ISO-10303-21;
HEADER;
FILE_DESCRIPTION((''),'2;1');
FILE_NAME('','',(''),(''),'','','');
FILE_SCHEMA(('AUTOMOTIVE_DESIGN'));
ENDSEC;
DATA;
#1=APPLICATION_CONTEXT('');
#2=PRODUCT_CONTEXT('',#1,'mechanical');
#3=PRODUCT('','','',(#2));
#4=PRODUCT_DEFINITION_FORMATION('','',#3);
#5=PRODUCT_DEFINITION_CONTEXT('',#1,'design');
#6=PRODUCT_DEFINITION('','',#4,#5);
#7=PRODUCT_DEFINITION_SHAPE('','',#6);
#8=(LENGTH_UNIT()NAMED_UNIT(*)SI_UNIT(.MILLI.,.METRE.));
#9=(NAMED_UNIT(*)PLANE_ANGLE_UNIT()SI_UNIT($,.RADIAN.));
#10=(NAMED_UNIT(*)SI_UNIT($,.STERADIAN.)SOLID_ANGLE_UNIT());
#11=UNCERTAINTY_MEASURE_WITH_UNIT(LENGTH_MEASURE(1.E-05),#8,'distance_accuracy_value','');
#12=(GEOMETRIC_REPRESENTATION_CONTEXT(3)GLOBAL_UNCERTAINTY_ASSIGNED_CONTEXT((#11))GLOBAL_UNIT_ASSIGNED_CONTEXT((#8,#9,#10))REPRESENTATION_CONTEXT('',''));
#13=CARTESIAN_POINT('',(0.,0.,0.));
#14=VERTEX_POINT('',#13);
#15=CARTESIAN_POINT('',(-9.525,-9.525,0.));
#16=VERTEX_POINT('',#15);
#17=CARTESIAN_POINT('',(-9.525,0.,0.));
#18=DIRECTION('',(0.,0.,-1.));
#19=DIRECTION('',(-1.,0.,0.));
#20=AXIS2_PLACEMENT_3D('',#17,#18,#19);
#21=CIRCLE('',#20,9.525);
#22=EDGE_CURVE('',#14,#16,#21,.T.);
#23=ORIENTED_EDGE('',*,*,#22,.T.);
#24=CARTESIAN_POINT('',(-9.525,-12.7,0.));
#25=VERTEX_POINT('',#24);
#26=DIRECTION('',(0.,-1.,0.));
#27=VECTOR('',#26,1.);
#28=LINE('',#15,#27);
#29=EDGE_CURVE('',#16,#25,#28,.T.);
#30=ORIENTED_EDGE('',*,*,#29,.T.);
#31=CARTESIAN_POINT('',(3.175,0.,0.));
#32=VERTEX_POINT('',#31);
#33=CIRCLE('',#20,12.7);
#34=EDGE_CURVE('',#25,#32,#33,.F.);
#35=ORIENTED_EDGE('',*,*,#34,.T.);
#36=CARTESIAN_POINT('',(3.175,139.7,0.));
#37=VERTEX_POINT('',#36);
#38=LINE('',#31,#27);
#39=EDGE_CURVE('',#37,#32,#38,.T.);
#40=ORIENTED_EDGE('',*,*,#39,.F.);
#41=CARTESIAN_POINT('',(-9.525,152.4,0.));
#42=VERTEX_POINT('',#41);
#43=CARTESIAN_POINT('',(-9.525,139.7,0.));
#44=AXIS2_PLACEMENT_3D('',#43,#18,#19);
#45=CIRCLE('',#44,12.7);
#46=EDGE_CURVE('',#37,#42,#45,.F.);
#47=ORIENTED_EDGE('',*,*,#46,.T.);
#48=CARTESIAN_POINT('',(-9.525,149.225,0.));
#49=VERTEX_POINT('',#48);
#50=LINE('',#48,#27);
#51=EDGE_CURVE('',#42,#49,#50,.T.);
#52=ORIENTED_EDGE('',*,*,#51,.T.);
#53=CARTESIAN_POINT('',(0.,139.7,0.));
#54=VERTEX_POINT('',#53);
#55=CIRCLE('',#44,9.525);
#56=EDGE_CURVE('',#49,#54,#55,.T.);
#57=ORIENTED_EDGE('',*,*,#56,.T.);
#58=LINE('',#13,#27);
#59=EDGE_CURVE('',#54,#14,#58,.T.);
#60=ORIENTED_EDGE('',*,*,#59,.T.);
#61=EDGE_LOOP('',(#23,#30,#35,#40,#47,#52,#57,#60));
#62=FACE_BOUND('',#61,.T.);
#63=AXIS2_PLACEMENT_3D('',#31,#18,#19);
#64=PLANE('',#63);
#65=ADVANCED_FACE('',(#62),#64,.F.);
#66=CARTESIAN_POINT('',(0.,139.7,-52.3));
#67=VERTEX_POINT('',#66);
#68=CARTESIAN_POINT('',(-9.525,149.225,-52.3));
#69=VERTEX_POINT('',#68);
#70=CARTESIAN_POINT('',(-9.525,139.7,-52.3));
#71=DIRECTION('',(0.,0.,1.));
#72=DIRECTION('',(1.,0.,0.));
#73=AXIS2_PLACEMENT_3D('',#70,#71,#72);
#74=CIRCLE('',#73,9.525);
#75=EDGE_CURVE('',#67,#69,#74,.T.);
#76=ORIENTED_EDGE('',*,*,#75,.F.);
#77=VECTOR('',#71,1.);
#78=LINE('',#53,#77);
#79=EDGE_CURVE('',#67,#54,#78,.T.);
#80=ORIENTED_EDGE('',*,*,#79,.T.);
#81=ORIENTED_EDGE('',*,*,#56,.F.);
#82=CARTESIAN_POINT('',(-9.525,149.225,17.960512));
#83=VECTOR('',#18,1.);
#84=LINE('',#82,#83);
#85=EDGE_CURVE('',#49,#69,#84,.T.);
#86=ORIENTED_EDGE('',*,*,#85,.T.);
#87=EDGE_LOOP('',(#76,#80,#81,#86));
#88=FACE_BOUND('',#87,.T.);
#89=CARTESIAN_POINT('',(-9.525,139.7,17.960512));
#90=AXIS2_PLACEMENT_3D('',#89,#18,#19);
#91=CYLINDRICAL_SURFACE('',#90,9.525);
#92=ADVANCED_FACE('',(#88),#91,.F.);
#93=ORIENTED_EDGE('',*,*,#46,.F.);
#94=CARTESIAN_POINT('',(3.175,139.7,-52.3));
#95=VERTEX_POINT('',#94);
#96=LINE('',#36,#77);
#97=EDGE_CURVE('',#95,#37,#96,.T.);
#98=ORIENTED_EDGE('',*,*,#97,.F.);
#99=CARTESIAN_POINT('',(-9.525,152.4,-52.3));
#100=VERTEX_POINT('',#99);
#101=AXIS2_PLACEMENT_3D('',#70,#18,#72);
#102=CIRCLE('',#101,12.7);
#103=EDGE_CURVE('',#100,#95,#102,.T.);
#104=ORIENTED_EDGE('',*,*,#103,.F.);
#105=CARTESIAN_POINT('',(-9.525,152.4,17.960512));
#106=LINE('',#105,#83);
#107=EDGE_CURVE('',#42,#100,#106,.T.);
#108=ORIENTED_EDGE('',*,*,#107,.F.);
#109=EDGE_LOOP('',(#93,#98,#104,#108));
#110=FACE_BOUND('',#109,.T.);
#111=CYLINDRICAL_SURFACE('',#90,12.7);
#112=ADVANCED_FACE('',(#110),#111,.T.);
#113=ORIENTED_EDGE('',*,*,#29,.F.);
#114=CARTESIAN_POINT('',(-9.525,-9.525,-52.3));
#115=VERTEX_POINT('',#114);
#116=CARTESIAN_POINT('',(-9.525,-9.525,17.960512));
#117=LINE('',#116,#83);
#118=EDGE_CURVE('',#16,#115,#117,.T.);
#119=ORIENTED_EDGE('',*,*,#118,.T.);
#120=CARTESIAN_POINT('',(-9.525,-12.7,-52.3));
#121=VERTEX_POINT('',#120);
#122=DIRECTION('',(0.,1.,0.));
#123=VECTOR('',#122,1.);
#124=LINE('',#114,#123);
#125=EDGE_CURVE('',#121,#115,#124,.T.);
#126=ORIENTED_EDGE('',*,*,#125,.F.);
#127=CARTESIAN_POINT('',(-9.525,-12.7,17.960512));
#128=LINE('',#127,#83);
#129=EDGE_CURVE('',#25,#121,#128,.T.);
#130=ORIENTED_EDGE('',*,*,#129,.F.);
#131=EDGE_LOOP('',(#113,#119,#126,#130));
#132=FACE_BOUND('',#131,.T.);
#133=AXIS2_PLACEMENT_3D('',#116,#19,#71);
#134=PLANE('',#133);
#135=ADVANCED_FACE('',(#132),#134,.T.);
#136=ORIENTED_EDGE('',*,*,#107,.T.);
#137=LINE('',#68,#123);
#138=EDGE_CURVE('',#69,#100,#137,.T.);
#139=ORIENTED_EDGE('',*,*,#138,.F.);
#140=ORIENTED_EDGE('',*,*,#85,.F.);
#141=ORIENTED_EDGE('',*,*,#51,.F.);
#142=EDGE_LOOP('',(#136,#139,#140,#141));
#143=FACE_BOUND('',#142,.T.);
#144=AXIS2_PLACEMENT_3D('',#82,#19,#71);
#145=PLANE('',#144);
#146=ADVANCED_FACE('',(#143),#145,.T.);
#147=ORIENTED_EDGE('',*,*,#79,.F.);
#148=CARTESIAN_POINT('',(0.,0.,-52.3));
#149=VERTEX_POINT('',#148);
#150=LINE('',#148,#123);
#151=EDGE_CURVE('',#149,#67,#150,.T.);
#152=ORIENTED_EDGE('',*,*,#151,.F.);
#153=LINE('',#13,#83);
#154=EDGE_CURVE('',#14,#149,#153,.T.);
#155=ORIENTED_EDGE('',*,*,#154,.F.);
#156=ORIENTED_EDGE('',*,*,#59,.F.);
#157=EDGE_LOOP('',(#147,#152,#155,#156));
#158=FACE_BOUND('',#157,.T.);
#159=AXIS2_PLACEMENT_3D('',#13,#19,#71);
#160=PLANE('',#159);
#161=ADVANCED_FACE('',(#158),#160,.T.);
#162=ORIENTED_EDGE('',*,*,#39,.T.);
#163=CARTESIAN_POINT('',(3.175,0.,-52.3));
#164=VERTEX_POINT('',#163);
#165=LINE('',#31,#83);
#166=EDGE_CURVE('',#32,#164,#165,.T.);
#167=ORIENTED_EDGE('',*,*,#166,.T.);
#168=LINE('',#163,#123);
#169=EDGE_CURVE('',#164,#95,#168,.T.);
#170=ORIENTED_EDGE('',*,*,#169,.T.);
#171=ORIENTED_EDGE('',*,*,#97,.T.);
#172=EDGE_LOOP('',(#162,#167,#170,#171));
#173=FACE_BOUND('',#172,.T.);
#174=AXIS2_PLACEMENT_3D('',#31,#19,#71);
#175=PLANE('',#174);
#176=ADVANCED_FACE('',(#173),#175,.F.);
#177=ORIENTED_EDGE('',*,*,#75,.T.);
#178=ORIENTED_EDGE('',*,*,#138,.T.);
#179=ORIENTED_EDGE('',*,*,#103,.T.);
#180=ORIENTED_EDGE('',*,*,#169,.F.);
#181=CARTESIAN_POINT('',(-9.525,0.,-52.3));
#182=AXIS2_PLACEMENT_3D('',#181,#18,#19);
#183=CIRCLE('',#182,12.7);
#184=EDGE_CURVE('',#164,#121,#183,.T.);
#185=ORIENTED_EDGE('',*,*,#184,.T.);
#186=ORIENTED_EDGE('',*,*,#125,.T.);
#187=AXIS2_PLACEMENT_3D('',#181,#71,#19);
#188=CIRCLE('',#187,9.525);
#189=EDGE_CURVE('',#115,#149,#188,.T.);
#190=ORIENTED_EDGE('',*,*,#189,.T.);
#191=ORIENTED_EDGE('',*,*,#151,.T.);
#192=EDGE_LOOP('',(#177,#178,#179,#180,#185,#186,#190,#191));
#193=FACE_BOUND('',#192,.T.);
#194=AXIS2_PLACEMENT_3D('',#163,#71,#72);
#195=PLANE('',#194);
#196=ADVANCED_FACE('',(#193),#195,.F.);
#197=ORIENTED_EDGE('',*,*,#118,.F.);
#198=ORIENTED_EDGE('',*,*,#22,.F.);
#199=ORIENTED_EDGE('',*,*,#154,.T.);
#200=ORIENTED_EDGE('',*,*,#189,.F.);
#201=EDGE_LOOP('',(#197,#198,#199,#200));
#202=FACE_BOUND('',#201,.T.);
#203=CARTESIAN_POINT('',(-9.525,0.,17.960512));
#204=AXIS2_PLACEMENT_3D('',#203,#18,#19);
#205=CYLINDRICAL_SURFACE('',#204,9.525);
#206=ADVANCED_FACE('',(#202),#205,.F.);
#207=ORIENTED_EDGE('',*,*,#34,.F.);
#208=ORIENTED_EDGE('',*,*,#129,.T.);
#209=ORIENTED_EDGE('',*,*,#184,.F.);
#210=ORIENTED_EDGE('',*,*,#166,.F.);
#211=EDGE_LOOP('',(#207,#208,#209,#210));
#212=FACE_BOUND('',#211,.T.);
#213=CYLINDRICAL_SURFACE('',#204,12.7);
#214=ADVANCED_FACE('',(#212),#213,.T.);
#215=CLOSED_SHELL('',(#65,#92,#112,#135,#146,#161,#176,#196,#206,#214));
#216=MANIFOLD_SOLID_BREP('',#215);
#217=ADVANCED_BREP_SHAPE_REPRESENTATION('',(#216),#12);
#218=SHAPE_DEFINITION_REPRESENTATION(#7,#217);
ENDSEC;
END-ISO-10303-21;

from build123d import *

# Parameters (mm, degrees)
SKETCH1_W           = 52.300000048
SKETCH1_H           = 139.7
BOSS_EXTRUDE1_DEPTH = 3.175
BOSS_EXTRUDE2_DEPTH = 52.300000048


with BuildPart() as part:
    # Sketch1 → Boss-Extrude1 (new body)
    with BuildSketch(Plane(origin=(0, 0, 0), x_dir=(0, 0, -1), z_dir=(1, 0, 0))):
        with Locations((26.150000024, 69.85)):
            Rectangle(SKETCH1_W, SKETCH1_H)
    extrude(amount=BOSS_EXTRUDE1_DEPTH)

    # Sketch2 → Boss-Extrude2 (add)
    with BuildSketch(Plane(origin=(0, 0, -52.300000048), x_dir=(-1, 0, 0), z_dir=(0, 0, -1))):
        with BuildLine():
            Line((9.525, -9.525), (9.525, -12.7))
            ThreePointArc((9.525, -12.7), (0.544743879, -8.980256121), (-3.175, 0))
            Line((-3.175, 0), (0, 0))
            ThreePointArc((0, 0), (2.789807909, -6.735192091), (9.525, -9.525))
        make_face()
        with BuildLine():
            Line((0, 139.7), (-3.175, 139.7))
            ThreePointArc((-3.175, 139.7), (0.544743879, 148.680256121), (9.525, 152.4))
            Line((9.525, 152.4), (9.525, 149.225))
            ThreePointArc((9.525, 149.225), (2.789807909, 146.435192091), (0, 139.7))
        make_face()
    extrude(amount=-BOSS_EXTRUDE2_DEPTH)


solid = part.part
